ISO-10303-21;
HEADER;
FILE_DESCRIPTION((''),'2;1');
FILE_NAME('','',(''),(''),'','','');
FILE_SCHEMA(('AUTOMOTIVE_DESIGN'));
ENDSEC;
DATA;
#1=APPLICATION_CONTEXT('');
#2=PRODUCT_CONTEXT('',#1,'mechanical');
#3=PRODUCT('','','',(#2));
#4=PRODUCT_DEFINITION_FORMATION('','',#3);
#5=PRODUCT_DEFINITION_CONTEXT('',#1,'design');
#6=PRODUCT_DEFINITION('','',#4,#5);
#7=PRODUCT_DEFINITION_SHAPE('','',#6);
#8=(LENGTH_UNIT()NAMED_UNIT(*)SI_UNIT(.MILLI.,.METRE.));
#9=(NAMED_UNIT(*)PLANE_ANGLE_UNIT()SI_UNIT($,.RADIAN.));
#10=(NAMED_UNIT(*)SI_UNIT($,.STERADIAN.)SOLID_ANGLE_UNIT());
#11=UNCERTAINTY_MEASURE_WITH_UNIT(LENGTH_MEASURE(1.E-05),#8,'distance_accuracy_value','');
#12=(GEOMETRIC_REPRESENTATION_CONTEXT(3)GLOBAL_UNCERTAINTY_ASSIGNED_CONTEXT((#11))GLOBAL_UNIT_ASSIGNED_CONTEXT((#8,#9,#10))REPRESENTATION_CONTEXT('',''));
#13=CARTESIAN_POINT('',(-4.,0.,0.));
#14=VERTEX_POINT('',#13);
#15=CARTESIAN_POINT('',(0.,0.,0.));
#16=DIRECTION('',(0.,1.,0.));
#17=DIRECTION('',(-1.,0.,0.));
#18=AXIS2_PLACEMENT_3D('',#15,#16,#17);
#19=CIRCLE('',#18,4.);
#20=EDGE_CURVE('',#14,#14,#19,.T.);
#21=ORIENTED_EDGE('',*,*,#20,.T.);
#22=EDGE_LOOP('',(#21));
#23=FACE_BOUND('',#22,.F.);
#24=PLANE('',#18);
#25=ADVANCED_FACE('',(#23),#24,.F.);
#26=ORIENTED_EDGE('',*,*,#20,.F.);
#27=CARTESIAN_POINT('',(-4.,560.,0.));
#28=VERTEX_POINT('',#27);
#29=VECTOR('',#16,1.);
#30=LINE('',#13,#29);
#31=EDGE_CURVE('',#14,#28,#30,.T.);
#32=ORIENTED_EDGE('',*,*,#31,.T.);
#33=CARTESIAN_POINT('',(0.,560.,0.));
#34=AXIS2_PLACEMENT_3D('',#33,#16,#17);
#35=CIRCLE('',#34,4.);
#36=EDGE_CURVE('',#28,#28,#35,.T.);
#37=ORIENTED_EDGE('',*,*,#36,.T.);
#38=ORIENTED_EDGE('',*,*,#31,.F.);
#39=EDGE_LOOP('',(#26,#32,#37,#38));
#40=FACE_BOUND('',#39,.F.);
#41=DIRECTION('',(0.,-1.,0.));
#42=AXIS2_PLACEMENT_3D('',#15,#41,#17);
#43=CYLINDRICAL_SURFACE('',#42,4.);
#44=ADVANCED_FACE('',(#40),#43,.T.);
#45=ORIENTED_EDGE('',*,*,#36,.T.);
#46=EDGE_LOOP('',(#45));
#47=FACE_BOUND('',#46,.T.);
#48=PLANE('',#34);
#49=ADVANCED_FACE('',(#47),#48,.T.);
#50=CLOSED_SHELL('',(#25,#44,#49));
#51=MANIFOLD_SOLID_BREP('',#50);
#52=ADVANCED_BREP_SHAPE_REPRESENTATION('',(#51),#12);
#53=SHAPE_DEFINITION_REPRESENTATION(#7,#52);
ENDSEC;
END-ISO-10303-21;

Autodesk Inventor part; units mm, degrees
ref_plane "YZ Plane" through (0, 0, 0) normal (1, 0, 0) x (0, 1, 0)
ref_plane "XZ Plane" through (0, 0, 0) normal (0, 1, 0) x (-1, 0, 0)
ref_plane "XY Plane" through (0, 0, 0) normal (0, 0, 1) x (1, 0, 0)
sketch "Sketch1" plane through (0, 0, 0) normal (0, 1, 0) x (-1, 0, 0)
  circle A0 centre (0, 0) radius 4
  dimension "d0" = 8
extrude "Extrusion1" add sketch "Sketch1" along normal blind 560
equation "\"d0\" = RodDiameter"
equation "\"d1\" = VerticalRodLenght"
equation "\"RodDiameter\" = 8"
equation "\"VerticalRodLenght\" = 560"
equation "\"VerticalBearingOD\" = 16"
equation "\"PrintingClearance\" = 0.2"
equation "\"TubeID\" = 18"
properties part number "VerticalRod"
